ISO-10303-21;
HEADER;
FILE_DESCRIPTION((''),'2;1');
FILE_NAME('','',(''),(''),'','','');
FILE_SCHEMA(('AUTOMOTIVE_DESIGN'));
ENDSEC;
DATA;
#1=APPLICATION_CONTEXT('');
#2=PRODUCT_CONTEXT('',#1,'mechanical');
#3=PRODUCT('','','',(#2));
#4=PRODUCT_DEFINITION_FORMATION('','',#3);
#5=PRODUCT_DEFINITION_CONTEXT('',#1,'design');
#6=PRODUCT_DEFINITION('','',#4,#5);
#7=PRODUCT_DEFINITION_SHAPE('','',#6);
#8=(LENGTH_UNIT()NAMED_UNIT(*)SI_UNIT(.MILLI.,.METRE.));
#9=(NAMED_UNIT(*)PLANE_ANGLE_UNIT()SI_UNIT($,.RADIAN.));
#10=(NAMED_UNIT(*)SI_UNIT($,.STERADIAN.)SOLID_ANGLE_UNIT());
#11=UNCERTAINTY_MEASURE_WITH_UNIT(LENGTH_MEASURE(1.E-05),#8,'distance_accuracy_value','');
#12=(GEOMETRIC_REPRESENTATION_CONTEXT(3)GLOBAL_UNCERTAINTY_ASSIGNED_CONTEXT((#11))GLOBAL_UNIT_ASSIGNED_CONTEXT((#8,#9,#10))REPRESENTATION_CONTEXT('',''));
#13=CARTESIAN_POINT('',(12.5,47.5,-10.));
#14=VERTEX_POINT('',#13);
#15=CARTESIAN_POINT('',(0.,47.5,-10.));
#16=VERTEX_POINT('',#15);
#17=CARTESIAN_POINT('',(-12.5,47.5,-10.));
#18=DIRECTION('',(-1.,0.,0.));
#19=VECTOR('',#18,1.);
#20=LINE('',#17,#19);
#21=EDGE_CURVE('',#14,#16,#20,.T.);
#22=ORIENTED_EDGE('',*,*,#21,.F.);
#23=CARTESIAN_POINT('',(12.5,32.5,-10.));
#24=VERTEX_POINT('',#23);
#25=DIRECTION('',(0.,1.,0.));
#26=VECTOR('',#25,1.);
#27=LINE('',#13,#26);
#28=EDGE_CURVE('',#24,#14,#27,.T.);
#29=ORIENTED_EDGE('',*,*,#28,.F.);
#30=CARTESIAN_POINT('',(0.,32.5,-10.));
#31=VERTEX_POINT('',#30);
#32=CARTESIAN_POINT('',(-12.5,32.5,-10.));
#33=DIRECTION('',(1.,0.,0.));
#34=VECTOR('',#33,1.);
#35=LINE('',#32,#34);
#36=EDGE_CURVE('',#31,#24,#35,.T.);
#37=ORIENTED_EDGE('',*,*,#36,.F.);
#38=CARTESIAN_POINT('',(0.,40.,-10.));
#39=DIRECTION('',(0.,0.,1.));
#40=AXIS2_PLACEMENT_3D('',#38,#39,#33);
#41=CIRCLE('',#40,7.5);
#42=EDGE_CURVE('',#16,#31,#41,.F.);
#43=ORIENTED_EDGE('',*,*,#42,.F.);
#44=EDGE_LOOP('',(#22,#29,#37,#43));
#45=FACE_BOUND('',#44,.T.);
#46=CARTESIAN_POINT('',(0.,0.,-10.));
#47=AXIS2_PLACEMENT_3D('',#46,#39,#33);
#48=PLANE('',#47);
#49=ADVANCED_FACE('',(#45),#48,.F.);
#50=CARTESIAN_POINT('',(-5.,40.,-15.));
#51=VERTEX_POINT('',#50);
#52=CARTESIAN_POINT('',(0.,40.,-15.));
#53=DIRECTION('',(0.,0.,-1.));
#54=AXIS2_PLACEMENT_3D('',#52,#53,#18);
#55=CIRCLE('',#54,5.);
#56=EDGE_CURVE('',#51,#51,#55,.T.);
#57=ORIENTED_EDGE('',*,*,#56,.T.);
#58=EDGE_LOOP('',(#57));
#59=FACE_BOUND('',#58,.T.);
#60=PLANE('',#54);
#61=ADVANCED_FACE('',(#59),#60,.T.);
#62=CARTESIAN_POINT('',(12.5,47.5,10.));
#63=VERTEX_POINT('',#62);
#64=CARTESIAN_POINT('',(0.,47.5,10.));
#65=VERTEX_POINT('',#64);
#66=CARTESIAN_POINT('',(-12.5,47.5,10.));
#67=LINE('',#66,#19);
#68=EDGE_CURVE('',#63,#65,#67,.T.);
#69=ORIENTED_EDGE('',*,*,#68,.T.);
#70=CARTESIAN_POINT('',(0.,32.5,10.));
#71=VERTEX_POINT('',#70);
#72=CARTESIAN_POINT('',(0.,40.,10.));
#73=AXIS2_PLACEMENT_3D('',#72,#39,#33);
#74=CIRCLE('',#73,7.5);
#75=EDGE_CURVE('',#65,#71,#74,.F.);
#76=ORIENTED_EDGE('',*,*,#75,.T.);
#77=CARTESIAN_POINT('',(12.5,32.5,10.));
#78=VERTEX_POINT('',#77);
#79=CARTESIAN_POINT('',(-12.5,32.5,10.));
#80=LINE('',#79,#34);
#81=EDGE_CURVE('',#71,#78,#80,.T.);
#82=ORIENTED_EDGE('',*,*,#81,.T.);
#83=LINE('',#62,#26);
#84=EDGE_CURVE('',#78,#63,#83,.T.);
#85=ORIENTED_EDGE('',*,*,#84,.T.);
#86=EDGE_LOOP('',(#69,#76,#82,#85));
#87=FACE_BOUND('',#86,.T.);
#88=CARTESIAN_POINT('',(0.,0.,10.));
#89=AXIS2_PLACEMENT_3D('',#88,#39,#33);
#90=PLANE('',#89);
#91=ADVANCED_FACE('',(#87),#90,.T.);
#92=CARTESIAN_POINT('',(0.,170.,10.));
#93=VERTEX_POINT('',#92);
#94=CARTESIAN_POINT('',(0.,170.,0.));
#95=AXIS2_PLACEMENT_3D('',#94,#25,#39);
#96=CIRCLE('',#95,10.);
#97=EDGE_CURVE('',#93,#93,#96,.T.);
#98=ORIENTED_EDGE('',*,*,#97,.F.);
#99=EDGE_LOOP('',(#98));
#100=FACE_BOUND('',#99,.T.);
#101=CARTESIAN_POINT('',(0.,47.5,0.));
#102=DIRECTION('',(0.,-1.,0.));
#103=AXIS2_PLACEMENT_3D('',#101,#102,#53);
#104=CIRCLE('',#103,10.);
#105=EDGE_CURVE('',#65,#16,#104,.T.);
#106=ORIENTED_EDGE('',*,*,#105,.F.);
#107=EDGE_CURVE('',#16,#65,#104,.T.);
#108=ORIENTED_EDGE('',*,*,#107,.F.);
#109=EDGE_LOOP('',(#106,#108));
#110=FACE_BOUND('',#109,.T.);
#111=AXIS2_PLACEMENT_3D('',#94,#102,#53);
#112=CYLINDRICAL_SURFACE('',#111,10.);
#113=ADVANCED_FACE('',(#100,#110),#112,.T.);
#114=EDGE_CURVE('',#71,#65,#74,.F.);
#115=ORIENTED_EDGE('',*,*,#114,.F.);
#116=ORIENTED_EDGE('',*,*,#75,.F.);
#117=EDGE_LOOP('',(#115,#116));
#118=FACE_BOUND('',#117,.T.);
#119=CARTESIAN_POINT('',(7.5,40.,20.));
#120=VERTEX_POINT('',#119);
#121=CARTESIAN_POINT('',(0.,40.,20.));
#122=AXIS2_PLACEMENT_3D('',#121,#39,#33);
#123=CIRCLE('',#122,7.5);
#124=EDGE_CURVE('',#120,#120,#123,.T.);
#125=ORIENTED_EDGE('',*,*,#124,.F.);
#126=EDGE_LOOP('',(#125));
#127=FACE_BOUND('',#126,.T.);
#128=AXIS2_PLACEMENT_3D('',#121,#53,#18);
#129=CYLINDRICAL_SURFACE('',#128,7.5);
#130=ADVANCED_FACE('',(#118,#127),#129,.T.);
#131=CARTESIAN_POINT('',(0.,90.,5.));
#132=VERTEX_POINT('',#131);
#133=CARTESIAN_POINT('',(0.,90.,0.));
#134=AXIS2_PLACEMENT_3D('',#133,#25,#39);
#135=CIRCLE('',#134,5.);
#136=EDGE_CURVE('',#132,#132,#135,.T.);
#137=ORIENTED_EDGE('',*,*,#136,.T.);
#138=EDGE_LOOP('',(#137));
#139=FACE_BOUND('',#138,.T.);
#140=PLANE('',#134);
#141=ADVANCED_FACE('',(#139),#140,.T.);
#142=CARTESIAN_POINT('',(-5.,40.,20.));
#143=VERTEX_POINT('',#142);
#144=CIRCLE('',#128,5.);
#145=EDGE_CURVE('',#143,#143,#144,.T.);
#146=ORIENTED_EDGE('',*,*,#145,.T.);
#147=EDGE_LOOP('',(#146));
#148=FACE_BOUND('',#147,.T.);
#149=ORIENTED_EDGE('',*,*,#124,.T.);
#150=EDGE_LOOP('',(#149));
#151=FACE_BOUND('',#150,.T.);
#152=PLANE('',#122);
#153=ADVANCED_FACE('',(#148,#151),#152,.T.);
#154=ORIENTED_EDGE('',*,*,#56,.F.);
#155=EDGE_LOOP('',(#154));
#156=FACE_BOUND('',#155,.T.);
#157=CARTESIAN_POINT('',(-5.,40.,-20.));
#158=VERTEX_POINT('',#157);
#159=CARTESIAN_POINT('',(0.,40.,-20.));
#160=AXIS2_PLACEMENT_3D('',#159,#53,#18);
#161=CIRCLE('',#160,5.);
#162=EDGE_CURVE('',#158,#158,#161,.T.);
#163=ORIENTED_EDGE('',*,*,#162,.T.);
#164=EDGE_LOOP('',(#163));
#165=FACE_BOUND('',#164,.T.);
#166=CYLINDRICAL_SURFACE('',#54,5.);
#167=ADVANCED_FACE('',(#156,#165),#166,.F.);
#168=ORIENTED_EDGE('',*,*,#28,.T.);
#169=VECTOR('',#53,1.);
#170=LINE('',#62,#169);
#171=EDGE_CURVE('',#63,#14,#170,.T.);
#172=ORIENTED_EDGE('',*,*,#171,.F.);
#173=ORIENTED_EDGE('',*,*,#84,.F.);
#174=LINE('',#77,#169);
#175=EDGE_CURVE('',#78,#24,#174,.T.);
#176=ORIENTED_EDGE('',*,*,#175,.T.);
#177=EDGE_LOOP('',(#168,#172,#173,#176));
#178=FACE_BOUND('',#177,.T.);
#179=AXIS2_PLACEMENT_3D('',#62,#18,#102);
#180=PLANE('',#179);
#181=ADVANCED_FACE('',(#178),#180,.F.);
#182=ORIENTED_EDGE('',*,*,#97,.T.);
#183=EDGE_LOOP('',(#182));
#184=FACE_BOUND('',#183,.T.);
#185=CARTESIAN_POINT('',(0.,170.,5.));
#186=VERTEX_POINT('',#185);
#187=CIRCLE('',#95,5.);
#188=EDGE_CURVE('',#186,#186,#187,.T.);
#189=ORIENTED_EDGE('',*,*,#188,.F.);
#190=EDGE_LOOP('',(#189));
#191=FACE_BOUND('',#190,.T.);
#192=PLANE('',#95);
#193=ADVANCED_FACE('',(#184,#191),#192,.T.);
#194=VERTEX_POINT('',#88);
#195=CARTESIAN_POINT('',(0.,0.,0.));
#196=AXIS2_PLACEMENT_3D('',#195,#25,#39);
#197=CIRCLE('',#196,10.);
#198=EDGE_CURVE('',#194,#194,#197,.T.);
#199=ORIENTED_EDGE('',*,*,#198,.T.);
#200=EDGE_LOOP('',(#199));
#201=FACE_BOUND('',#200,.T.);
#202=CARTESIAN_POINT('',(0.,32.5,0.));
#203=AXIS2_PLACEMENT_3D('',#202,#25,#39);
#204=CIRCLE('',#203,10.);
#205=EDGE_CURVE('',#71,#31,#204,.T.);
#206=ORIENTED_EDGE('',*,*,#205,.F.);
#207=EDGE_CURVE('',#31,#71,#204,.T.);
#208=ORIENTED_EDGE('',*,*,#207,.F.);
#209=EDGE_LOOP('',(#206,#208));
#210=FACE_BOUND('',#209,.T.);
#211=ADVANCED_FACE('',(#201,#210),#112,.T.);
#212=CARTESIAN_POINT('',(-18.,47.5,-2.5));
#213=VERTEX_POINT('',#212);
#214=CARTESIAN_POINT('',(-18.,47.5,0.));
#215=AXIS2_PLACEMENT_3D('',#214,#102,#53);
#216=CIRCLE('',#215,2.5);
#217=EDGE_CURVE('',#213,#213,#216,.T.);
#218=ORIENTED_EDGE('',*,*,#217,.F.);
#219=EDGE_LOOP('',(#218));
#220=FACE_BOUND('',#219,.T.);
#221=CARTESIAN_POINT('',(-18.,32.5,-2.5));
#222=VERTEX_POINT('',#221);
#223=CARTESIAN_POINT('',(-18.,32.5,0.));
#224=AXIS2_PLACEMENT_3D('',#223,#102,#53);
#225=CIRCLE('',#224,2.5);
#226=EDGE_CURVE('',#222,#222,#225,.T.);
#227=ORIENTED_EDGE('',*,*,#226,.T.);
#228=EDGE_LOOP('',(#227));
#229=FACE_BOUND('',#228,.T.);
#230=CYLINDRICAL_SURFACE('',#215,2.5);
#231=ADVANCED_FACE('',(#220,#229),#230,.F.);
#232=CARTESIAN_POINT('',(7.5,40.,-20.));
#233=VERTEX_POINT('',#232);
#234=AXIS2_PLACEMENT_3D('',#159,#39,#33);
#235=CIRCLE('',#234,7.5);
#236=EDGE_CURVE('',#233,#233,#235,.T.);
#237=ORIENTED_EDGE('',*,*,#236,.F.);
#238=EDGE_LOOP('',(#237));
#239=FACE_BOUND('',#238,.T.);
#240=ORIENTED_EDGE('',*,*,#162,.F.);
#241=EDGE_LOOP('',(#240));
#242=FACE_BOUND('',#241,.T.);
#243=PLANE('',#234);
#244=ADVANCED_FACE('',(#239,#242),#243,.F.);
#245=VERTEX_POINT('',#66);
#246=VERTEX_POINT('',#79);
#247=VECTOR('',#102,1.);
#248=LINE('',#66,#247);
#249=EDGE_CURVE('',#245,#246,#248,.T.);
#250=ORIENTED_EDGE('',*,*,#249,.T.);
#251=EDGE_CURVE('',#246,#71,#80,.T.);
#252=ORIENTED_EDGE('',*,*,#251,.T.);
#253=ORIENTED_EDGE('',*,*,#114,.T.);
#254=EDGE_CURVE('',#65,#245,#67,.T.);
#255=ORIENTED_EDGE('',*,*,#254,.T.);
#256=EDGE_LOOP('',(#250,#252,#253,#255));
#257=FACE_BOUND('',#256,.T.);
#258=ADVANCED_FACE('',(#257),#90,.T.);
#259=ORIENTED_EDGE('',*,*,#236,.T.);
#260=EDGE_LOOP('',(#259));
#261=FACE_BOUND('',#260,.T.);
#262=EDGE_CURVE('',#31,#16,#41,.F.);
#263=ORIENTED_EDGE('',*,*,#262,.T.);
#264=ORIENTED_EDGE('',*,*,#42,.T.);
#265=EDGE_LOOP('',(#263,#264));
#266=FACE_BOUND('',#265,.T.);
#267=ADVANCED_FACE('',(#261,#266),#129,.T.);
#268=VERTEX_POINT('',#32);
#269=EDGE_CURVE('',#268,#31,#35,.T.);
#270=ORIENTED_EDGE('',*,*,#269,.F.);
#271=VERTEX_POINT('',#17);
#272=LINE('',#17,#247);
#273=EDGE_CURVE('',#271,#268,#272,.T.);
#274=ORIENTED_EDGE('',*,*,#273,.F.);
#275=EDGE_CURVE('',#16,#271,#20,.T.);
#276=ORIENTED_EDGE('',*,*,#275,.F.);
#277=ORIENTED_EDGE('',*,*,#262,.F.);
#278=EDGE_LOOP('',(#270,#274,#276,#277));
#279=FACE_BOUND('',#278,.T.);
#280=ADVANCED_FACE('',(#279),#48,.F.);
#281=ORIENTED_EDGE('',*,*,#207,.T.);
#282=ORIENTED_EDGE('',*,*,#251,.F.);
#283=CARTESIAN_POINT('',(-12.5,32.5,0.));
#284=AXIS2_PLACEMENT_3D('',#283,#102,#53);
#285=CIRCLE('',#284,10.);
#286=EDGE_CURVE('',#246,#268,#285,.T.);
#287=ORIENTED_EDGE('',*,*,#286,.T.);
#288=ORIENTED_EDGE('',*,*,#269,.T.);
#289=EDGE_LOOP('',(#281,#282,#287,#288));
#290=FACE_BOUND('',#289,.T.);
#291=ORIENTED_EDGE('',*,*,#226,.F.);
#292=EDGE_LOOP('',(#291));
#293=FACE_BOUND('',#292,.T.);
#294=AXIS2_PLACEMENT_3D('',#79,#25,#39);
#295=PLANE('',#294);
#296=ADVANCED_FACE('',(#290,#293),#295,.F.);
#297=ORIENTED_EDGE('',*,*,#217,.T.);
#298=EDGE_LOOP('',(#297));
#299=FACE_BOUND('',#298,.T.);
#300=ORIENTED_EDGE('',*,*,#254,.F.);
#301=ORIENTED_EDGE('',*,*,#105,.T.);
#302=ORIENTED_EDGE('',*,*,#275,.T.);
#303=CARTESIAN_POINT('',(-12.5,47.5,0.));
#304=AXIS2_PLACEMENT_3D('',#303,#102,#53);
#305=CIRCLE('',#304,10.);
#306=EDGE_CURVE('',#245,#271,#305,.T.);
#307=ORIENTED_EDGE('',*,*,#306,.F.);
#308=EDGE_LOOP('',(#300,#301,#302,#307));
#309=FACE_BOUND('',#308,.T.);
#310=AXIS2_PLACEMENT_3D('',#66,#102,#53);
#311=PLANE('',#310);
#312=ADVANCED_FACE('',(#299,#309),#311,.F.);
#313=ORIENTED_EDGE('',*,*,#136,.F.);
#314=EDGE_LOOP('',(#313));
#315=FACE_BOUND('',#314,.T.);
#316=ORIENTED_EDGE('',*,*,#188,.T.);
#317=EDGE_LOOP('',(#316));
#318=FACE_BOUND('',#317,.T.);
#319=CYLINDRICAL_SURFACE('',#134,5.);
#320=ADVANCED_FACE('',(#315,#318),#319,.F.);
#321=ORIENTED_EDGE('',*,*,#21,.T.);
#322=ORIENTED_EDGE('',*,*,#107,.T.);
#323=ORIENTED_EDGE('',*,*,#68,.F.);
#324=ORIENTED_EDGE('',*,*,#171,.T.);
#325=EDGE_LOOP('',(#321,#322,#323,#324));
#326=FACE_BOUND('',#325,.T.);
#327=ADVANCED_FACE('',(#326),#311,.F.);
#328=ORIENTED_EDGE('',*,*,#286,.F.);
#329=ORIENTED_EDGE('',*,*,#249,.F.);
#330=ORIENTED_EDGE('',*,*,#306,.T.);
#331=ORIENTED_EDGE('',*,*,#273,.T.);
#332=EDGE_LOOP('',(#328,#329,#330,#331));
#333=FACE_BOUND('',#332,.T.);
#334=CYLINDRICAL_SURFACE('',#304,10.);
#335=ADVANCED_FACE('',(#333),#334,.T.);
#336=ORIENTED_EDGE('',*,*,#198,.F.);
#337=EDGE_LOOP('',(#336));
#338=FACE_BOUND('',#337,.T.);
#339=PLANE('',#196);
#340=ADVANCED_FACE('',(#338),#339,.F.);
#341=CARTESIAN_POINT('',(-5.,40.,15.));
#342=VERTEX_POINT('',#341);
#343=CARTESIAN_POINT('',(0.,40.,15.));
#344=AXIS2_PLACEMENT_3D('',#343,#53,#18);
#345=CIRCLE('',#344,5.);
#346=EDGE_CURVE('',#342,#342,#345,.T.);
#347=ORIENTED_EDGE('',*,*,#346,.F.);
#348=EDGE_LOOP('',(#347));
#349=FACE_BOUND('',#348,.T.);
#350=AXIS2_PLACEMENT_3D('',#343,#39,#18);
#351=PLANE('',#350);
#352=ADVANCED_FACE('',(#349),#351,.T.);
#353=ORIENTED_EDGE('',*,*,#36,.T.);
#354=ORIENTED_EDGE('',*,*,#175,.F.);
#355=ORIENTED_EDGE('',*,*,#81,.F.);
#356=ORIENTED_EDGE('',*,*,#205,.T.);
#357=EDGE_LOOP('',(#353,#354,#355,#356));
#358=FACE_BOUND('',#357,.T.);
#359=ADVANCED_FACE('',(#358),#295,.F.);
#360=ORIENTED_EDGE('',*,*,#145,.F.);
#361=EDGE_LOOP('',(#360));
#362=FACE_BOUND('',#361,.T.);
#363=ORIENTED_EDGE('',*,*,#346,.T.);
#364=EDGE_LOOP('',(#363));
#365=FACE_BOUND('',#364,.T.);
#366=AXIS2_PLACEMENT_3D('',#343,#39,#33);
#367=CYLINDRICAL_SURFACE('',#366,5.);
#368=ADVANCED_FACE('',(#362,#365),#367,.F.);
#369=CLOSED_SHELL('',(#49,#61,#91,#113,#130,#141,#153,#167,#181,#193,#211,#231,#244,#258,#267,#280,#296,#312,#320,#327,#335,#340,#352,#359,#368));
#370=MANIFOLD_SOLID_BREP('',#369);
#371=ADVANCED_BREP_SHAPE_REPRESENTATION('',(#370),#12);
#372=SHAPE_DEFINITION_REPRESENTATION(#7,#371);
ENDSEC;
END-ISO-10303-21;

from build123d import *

# Parameters (mm, degrees)
SKETCH1_R           = 10
BOSS_EXTRUDE1_DEPTH = 170
SKETCH2_W           = 25
SKETCH2_H           = 15
BOSS_EXTRUDE3_DEPTH = 10
BOSS_EXTRUDE4_START = -10
SKETCH3_R           = 7.5
BOSS_EXTRUDE4_DEPTH = 20
SKETCH4_R           = 5
CUT_EXTRUDE1_DEPTH  = 80
SKETCH5_R           = 5
CUT_EXTRUDE2_DEPTH  = 5
BOSS_EXTRUDE5_DEPTH = 15
SKETCH7_R           = 2.5
CUT_EXTRUDE3_DEPTH  = 15


with BuildPart() as part:
    # Sketch1 → Boss-Extrude1 (new body)
    with BuildSketch(Plane(origin=(0, 0, 0), x_dir=(1, 0, 0), z_dir=(0, 1, 0))):
        with Locations(Location((0, 0, 0), (0, 0, 270))):
            Circle(SKETCH1_R)
    extrude(amount=BOSS_EXTRUDE1_DEPTH)

    # Sketch2 → Boss-Extrude3 (add, symmetric)
    with BuildSketch(Plane.XY):
        with Locations((0, 40)):
            Rectangle(SKETCH2_W, SKETCH2_H)
    extrude(amount=BOSS_EXTRUDE3_DEPTH, both=True)

    # Sketch3 → Boss-Extrude4 (add, symmetric)
    with BuildSketch(Plane.XY.offset(10).offset(BOSS_EXTRUDE4_START)):
        with Locations(Location((0, 40, 0), (0, 0, 270))):
            Circle(SKETCH3_R)
    extrude(amount=BOSS_EXTRUDE4_DEPTH, both=True)

    # Sketch4 → Cut-Extrude1 (cut)
    with BuildSketch(Plane(origin=(0, 170, 0), x_dir=(1, 0, 0), z_dir=(0, 1, 0))):
        with Locations(Location((0, 0, 0), (0, 0, 270))):
            Circle(SKETCH4_R)
    extrude(amount=-CUT_EXTRUDE1_DEPTH, mode=Mode.SUBTRACT)

    # Sketch5 → Cut-Extrude2 (cut)
    with BuildSketch(Plane(origin=(0, 0, -20), x_dir=(-1, 0, 0), z_dir=(0, 0, -1))):
        with Locations((0, 40)):
            Circle(SKETCH5_R)
    cut_extrude2 = extrude(amount=-CUT_EXTRUDE2_DEPTH, mode=Mode.SUBTRACT)

    # Mirror1: Cut-Extrude2 across plane
    add(cut_extrude2.mirror(Plane.XY), mode=Mode.SUBTRACT)

    # Sketch6 → Boss-Extrude5 (add)
    with BuildSketch(Plane.XZ.offset(-32.5)):
        with BuildLine():
            Line((-12.5, 10), (-12.5, -10))
            ThreePointArc((-12.5, -10), (-22.5, 0), (-12.5, 10))
        make_face()
    extrude(amount=-BOSS_EXTRUDE5_DEPTH)

    # Sketch7 → Cut-Extrude3 (cut)
    with BuildSketch(Plane.XZ.offset(-32.5)):
        with Locations(Location((-18, 0, 0), (0, 0, 270))):
            Circle(SKETCH7_R)
    extrude(amount=-CUT_EXTRUDE3_DEPTH, mode=Mode.SUBTRACT)


solid = part.part
